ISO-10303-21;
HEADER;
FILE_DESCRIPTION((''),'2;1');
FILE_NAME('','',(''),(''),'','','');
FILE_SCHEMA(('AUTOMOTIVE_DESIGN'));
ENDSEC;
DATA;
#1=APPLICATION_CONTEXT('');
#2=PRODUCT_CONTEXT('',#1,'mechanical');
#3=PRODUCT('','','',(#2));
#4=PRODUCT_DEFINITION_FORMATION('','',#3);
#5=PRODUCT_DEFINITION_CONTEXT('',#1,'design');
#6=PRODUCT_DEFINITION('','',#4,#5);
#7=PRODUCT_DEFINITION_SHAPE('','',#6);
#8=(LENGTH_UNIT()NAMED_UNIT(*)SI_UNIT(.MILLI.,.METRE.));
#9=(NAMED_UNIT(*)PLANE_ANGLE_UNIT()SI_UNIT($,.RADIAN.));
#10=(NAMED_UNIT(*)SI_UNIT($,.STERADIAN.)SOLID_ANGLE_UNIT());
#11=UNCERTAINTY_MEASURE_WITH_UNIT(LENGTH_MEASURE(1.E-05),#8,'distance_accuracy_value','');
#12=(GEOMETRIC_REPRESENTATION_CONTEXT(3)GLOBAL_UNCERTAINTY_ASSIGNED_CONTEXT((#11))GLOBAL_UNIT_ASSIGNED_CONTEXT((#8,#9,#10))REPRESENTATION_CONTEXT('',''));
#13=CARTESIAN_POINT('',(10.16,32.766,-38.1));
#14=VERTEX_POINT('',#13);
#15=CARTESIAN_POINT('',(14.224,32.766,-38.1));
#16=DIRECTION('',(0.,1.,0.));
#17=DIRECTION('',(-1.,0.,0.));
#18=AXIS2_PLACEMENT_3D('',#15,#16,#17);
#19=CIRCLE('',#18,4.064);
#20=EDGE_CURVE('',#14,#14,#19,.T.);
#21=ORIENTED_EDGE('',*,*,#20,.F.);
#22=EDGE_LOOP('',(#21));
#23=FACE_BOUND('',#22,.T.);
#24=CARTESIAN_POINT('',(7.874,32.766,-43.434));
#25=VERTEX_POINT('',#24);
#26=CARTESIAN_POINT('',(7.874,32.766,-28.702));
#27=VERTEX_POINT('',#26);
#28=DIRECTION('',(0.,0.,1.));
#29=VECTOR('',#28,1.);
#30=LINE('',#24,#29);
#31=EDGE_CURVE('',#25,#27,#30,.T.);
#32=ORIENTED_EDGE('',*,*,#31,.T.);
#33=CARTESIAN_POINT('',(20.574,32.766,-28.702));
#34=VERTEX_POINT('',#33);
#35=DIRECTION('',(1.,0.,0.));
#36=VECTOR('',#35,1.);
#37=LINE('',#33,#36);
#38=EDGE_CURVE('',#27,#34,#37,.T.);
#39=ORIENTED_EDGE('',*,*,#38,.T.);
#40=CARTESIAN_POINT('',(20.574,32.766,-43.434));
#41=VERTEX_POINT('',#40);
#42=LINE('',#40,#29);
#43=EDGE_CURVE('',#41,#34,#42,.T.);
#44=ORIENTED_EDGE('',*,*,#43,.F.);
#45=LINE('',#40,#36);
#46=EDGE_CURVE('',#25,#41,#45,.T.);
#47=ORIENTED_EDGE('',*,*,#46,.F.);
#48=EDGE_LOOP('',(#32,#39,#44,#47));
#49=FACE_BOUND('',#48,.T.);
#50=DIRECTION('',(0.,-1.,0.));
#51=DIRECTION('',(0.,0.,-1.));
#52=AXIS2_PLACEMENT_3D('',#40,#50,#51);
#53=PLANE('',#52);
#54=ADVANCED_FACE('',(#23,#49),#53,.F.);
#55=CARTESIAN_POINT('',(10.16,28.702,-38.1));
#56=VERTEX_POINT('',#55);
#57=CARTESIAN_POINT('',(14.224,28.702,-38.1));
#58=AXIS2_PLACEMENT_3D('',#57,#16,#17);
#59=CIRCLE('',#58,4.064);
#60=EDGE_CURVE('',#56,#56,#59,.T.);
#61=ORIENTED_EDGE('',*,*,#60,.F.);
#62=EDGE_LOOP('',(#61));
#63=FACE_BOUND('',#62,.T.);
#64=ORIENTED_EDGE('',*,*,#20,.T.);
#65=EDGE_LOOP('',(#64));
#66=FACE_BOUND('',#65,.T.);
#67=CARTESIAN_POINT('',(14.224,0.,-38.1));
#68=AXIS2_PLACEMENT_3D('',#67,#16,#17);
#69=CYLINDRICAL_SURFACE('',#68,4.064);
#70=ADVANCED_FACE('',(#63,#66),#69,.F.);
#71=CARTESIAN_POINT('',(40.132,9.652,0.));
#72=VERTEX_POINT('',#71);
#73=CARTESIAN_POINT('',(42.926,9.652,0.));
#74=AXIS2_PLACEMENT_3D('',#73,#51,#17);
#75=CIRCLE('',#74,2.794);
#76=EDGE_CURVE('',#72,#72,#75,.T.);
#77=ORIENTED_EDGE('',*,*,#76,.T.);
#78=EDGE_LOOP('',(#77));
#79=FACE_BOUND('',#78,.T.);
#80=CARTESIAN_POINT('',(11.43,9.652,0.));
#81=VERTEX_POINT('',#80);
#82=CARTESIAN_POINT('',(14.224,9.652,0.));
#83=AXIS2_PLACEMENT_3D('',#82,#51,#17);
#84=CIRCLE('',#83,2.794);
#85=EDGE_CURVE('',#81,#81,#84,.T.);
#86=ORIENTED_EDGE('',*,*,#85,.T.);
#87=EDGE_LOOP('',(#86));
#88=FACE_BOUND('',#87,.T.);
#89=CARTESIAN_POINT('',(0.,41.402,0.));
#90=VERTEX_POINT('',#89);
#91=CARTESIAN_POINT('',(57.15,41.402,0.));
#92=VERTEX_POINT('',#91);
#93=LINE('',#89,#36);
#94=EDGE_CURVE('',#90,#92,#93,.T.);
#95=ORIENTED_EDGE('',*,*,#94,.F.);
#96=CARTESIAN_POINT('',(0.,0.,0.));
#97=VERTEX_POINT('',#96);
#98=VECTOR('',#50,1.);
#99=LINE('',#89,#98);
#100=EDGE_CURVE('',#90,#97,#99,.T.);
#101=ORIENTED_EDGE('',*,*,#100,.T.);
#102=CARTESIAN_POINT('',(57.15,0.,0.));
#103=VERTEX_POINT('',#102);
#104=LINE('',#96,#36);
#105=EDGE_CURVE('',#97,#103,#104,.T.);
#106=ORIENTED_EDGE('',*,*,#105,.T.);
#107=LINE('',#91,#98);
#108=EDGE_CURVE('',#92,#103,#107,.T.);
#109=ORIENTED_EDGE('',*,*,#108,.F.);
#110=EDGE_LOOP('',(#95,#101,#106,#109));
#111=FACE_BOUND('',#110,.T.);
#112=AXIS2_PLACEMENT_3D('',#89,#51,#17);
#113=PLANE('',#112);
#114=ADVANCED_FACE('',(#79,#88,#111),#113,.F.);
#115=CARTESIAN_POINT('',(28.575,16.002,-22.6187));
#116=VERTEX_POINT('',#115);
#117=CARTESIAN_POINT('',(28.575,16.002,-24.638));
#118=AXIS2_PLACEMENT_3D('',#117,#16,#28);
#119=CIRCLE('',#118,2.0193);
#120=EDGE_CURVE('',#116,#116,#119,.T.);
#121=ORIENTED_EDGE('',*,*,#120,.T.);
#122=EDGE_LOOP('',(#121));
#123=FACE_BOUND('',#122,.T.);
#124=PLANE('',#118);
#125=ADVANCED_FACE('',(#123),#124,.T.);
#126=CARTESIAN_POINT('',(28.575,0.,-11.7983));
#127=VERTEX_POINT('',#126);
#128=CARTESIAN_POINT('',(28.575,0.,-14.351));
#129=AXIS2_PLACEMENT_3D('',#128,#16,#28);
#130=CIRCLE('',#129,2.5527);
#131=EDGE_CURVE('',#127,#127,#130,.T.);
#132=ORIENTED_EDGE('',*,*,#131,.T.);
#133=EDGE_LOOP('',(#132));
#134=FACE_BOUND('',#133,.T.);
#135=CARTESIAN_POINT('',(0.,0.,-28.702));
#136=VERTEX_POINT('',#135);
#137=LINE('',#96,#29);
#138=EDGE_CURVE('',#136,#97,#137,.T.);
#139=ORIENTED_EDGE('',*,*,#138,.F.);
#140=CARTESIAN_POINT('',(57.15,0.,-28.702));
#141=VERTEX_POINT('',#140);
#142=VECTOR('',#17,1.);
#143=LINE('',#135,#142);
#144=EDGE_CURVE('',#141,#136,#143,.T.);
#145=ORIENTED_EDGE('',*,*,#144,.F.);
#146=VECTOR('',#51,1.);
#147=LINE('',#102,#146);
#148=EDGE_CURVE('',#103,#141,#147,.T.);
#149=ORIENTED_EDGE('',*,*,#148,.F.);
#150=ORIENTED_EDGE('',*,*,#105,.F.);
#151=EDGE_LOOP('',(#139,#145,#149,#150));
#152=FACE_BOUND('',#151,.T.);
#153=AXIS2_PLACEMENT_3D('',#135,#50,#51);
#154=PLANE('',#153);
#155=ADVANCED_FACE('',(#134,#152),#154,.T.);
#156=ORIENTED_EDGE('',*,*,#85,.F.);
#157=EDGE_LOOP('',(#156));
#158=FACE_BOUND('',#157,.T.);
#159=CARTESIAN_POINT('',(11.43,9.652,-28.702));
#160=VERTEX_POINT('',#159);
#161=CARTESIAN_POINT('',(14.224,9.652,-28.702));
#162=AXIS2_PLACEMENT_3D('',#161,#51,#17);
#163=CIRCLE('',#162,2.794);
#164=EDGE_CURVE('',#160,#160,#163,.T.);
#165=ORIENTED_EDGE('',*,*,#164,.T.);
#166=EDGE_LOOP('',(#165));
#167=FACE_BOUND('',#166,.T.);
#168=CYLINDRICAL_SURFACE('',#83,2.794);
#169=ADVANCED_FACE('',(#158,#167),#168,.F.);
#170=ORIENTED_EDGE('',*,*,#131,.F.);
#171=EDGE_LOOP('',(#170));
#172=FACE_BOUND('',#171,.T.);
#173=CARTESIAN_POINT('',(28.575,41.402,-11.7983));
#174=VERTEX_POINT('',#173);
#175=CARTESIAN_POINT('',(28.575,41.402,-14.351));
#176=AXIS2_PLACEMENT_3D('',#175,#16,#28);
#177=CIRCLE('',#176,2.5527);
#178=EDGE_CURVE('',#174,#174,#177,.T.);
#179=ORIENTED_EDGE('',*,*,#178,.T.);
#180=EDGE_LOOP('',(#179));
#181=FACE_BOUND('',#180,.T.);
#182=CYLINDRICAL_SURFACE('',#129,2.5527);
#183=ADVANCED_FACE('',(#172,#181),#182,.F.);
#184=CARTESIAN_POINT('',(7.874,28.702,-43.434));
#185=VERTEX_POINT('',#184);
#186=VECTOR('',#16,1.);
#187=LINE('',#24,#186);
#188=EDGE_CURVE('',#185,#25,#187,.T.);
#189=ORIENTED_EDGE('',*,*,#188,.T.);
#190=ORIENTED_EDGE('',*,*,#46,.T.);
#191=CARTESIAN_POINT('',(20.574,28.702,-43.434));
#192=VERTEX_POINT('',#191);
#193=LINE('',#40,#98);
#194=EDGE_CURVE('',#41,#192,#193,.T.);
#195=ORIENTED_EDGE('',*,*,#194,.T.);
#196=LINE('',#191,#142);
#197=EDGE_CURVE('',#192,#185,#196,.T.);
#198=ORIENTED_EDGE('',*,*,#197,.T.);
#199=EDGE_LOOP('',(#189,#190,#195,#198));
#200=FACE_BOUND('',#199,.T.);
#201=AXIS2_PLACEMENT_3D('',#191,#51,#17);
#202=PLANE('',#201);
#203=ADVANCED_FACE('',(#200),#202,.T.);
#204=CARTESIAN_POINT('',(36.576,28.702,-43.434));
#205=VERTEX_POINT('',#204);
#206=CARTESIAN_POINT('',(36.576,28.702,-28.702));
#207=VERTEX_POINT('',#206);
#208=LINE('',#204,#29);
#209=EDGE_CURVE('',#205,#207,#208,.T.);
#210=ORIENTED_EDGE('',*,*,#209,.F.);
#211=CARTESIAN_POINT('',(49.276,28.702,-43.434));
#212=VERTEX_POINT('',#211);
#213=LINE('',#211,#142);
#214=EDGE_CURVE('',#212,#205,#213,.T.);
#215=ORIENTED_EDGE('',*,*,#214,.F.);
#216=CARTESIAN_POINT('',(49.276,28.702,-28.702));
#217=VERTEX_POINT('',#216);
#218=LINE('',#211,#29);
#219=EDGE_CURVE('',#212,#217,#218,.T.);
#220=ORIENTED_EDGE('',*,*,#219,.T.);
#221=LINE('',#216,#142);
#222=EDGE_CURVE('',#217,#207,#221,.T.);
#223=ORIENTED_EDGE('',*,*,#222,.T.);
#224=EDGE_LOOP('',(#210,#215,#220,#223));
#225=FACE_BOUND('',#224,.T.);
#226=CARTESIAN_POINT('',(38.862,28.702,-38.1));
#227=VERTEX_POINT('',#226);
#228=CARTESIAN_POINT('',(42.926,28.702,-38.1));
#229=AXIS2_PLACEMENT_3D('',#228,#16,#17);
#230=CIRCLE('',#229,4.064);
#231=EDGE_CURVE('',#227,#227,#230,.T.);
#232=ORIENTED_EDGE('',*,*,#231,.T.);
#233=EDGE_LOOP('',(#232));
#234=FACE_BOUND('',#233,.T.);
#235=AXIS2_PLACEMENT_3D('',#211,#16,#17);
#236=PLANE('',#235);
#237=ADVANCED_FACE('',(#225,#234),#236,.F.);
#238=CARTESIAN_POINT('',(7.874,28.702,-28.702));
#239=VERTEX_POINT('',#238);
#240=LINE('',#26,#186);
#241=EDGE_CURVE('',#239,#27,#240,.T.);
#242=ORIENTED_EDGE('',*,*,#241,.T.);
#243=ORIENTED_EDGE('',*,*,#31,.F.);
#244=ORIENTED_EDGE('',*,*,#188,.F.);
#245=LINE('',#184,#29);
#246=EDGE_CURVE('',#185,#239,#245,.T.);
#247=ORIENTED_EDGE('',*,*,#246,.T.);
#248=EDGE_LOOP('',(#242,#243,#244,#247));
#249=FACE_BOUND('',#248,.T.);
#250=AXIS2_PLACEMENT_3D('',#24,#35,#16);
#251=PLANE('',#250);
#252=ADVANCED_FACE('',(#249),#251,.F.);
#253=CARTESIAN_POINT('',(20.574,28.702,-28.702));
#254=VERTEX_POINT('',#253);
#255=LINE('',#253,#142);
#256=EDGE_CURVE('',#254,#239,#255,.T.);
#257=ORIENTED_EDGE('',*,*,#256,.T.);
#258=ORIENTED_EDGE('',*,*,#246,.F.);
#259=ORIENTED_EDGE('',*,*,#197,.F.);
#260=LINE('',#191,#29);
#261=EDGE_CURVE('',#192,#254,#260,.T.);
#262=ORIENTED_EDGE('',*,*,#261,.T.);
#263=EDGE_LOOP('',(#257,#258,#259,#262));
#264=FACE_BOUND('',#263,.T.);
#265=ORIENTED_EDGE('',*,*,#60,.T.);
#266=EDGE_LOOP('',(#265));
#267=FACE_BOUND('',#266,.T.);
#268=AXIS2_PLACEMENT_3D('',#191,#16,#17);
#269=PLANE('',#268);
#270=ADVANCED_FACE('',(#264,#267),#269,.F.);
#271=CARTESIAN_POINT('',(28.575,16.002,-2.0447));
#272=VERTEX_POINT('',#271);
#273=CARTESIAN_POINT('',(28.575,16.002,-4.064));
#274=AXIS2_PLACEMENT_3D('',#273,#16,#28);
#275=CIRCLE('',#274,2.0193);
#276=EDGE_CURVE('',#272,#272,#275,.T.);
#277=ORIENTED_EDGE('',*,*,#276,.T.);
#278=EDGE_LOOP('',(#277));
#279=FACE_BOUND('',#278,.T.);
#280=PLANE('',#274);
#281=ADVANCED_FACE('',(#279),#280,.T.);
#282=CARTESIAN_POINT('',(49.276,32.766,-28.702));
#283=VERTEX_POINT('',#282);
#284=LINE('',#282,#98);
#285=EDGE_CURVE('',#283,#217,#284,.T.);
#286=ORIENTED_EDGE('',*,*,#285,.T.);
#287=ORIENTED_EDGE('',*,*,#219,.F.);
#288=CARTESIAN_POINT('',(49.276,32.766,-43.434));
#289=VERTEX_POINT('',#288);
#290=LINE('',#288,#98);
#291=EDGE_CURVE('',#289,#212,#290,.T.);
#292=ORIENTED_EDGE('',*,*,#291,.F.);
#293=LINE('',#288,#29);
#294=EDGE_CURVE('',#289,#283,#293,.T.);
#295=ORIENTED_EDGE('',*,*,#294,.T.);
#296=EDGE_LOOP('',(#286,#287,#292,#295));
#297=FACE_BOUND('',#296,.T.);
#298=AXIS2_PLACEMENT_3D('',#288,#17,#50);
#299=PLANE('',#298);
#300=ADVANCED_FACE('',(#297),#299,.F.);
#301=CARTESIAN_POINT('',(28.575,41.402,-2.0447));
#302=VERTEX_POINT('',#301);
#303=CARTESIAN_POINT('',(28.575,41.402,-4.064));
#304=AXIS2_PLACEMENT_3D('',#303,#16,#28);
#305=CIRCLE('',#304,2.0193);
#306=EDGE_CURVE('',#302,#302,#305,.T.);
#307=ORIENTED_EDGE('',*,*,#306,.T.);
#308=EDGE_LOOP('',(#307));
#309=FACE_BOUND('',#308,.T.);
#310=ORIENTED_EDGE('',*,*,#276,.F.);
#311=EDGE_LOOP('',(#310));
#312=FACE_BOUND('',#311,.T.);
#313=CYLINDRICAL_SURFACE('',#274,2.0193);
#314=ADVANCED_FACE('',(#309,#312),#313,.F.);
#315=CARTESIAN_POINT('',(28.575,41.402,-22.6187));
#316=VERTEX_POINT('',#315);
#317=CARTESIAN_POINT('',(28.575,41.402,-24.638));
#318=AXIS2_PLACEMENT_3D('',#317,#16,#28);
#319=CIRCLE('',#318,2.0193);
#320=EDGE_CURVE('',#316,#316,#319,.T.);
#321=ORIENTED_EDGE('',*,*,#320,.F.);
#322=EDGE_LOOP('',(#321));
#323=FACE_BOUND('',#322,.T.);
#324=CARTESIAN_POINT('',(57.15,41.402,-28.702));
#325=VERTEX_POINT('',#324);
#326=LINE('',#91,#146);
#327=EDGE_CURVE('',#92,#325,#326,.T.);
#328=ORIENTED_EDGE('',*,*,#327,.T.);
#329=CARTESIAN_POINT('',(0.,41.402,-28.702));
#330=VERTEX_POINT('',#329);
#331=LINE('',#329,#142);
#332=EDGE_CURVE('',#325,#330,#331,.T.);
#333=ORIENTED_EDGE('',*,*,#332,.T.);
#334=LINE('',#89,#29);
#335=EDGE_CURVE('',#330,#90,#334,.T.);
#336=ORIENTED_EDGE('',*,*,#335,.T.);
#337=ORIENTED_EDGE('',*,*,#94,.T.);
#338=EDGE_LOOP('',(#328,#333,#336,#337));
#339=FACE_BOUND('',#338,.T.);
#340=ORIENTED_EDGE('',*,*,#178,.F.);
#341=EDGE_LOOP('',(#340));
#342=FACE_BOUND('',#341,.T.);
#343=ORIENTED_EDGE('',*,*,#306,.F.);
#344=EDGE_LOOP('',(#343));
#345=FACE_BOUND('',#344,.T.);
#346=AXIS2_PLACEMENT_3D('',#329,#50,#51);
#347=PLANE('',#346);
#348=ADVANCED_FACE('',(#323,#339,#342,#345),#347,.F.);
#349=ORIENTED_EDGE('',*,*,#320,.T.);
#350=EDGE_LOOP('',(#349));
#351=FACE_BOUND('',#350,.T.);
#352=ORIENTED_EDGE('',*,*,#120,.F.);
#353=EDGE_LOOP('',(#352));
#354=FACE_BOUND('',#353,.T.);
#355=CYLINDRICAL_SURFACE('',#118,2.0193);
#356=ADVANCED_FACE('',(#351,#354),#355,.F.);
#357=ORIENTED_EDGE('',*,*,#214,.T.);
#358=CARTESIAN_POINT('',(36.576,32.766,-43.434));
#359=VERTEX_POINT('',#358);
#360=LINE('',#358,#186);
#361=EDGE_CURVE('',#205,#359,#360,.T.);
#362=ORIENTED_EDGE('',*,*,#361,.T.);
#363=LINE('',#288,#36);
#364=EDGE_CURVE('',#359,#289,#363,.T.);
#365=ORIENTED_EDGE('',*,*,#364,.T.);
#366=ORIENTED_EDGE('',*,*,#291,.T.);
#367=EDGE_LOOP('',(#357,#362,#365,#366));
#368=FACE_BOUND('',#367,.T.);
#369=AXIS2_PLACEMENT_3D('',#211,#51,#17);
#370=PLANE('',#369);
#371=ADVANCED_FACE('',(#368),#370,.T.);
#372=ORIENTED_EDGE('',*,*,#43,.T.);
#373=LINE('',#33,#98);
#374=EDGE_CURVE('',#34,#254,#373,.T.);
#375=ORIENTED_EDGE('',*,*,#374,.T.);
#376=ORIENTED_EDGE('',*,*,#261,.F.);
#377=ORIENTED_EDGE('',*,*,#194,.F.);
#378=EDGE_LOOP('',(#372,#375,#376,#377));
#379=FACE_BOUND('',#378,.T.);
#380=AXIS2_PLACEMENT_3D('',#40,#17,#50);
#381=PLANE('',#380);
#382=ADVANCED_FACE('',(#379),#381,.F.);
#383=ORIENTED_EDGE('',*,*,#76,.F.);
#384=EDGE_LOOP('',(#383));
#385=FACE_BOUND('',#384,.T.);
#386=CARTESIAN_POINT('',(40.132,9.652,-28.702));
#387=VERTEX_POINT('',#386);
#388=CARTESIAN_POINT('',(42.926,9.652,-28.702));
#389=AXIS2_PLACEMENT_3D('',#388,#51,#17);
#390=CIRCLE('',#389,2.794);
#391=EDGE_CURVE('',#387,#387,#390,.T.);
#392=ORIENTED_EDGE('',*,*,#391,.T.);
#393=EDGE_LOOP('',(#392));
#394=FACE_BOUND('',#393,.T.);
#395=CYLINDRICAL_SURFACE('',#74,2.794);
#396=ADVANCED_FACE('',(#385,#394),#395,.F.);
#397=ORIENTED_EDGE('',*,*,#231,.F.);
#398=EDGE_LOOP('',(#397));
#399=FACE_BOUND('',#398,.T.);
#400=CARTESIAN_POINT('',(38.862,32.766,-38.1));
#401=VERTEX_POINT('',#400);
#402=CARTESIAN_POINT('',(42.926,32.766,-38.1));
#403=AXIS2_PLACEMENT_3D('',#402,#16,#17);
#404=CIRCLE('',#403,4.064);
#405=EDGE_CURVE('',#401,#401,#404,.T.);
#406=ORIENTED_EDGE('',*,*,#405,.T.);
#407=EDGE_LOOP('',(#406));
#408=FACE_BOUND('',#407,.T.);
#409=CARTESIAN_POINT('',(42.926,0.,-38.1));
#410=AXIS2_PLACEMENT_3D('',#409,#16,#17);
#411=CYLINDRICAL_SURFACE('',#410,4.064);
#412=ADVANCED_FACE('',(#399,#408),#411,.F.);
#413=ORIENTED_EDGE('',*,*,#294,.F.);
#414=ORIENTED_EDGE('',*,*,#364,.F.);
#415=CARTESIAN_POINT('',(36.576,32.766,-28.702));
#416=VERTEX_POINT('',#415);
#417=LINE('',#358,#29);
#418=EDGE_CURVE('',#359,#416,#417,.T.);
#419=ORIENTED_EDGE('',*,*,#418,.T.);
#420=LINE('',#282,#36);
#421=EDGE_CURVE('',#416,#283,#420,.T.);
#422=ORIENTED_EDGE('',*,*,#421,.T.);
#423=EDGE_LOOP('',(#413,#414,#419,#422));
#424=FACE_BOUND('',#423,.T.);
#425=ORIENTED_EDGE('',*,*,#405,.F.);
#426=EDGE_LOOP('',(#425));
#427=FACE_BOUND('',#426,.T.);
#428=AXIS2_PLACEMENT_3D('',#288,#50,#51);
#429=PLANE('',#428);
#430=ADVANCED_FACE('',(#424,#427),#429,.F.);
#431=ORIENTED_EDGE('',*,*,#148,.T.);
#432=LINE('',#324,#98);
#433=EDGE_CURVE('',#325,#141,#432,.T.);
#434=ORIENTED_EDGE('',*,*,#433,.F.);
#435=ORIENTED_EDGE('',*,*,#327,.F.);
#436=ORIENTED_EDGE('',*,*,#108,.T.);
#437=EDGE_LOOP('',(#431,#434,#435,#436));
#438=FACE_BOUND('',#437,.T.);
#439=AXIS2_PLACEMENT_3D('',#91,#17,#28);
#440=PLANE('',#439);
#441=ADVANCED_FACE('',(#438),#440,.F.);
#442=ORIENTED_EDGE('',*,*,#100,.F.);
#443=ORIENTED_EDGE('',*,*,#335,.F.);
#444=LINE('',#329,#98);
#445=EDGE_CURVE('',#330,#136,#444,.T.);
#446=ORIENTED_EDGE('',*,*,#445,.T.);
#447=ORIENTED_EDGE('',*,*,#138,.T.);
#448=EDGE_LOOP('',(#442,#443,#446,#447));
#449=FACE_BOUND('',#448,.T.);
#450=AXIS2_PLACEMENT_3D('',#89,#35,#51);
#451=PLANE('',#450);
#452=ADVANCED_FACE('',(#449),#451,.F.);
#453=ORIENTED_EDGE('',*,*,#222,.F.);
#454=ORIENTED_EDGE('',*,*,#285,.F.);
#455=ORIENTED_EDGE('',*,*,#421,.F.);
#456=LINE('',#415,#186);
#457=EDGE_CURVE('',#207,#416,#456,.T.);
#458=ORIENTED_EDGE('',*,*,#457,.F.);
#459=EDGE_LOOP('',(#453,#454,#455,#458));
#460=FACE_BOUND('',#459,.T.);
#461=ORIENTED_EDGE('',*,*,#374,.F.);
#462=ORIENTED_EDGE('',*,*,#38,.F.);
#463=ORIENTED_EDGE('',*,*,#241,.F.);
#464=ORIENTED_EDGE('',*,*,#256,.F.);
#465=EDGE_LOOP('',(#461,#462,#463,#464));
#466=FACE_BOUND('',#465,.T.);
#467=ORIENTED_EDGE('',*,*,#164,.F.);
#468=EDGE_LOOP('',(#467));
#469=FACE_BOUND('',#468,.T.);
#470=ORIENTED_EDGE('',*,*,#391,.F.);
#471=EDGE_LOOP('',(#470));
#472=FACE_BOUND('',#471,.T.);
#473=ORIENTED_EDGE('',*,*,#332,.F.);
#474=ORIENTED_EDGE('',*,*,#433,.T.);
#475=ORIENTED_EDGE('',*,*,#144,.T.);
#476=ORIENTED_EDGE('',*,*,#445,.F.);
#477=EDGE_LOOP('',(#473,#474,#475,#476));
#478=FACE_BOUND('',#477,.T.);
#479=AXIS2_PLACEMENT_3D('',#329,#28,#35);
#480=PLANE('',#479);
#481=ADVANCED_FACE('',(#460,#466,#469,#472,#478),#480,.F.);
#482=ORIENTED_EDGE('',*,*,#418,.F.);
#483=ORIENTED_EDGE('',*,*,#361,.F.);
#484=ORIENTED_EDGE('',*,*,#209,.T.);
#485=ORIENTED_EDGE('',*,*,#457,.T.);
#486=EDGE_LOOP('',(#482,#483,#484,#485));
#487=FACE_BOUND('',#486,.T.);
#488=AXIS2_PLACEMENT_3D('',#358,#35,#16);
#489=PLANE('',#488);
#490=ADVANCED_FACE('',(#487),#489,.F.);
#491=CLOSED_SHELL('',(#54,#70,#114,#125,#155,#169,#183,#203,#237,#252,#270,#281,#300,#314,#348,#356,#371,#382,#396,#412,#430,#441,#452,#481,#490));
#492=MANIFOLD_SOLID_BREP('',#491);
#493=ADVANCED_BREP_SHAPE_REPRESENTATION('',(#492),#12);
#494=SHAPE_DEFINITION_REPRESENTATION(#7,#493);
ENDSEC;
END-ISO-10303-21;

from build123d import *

# Parameters (mm, degrees)
SKETCH1_W          = 57.15
SKETCH1_H          = 28.702
EXTRUDE1_DEPTH     = 41.402
SKETCH2_R          = 2.5527
CUT_EXTRUDE1_DEPTH = 42.402
SKETCH3_R          = 2.0193
CUT_EXTRUDE2_DEPTH = 25.4
SKETCH8_R          = 2.794
CUT_EXTRUDE3_DEPTH = 29.702
SKETCH9_W          = 12.7
SKETCH9_H          = 4.064
EXTRUDE2_DEPTH     = 14.732
SKETCH10_R         = 4.064
CUT_EXTRUDE4_DEPTH = 33.766


with BuildPart() as part:
    # Sketch1 → Extrude1 (new body)
    with BuildSketch(Plane(origin=(0, 0, 0), x_dir=(1, 0, 0), z_dir=(0, 1, 0))):
        with Locations((28.575, 14.351)):
            Rectangle(SKETCH1_W, SKETCH1_H)
    extrude(amount=EXTRUDE1_DEPTH)

    # Sketch2 → Cut-Extrude1 (cut, through all)
    with BuildSketch(Plane(origin=(0, 41.402, 0), x_dir=(-1, 0, 0), z_dir=(0, 1, 0))):
        with Locations((-28.575, -14.351)):
            Circle(SKETCH2_R)
    extrude(amount=-CUT_EXTRUDE1_DEPTH, mode=Mode.SUBTRACT)

    # Sketch3 → Cut-Extrude2 (cut)
    with BuildSketch(Plane(origin=(0, 41.402, 0), x_dir=(-1, 0, 0), z_dir=(0, 1, 0))):
        with Locations((-28.575, -24.638)):
            Circle(SKETCH3_R)
        with Locations((-28.575, -4.064)):
            Circle(SKETCH3_R)
    extrude(amount=-CUT_EXTRUDE2_DEPTH, mode=Mode.SUBTRACT)

    # Sketch8 → Cut-Extrude3 (cut, through all)
    with BuildSketch(Plane(origin=(0, 0, -28.702), x_dir=(-1, 0, 0), z_dir=(0, 0, -1))):
        with Locations((-42.926, 9.652)):
            Circle(SKETCH8_R)
        with Locations((-14.224, 9.652)):
            Circle(SKETCH8_R)
    extrude(amount=-CUT_EXTRUDE3_DEPTH, mode=Mode.SUBTRACT)

    # Sketch9 → Extrude2 (add)
    with BuildSketch(Plane(origin=(0, 0, -28.702), x_dir=(-1, 0, 0), z_dir=(0, 0, -1))):
        with Locations((-42.926, 30.734)):
            Rectangle(SKETCH9_W, SKETCH9_H)
        with Locations((-14.224, 30.734)):
            Rectangle(SKETCH9_W, SKETCH9_H)
    extrude(amount=EXTRUDE2_DEPTH)

    # Sketch10 → Cut-Extrude4 (cut, through all)
    with BuildSketch(Plane(origin=(0, 32.766, 0), x_dir=(-1, 0, 0), z_dir=(0, 1, 0))):
        with Locations((-42.926, -38.1)):
            Circle(SKETCH10_R)
        with Locations((-14.224, -38.1)):
            Circle(SKETCH10_R)
    extrude(amount=-CUT_EXTRUDE4_DEPTH, mode=Mode.SUBTRACT)


solid = part.part
